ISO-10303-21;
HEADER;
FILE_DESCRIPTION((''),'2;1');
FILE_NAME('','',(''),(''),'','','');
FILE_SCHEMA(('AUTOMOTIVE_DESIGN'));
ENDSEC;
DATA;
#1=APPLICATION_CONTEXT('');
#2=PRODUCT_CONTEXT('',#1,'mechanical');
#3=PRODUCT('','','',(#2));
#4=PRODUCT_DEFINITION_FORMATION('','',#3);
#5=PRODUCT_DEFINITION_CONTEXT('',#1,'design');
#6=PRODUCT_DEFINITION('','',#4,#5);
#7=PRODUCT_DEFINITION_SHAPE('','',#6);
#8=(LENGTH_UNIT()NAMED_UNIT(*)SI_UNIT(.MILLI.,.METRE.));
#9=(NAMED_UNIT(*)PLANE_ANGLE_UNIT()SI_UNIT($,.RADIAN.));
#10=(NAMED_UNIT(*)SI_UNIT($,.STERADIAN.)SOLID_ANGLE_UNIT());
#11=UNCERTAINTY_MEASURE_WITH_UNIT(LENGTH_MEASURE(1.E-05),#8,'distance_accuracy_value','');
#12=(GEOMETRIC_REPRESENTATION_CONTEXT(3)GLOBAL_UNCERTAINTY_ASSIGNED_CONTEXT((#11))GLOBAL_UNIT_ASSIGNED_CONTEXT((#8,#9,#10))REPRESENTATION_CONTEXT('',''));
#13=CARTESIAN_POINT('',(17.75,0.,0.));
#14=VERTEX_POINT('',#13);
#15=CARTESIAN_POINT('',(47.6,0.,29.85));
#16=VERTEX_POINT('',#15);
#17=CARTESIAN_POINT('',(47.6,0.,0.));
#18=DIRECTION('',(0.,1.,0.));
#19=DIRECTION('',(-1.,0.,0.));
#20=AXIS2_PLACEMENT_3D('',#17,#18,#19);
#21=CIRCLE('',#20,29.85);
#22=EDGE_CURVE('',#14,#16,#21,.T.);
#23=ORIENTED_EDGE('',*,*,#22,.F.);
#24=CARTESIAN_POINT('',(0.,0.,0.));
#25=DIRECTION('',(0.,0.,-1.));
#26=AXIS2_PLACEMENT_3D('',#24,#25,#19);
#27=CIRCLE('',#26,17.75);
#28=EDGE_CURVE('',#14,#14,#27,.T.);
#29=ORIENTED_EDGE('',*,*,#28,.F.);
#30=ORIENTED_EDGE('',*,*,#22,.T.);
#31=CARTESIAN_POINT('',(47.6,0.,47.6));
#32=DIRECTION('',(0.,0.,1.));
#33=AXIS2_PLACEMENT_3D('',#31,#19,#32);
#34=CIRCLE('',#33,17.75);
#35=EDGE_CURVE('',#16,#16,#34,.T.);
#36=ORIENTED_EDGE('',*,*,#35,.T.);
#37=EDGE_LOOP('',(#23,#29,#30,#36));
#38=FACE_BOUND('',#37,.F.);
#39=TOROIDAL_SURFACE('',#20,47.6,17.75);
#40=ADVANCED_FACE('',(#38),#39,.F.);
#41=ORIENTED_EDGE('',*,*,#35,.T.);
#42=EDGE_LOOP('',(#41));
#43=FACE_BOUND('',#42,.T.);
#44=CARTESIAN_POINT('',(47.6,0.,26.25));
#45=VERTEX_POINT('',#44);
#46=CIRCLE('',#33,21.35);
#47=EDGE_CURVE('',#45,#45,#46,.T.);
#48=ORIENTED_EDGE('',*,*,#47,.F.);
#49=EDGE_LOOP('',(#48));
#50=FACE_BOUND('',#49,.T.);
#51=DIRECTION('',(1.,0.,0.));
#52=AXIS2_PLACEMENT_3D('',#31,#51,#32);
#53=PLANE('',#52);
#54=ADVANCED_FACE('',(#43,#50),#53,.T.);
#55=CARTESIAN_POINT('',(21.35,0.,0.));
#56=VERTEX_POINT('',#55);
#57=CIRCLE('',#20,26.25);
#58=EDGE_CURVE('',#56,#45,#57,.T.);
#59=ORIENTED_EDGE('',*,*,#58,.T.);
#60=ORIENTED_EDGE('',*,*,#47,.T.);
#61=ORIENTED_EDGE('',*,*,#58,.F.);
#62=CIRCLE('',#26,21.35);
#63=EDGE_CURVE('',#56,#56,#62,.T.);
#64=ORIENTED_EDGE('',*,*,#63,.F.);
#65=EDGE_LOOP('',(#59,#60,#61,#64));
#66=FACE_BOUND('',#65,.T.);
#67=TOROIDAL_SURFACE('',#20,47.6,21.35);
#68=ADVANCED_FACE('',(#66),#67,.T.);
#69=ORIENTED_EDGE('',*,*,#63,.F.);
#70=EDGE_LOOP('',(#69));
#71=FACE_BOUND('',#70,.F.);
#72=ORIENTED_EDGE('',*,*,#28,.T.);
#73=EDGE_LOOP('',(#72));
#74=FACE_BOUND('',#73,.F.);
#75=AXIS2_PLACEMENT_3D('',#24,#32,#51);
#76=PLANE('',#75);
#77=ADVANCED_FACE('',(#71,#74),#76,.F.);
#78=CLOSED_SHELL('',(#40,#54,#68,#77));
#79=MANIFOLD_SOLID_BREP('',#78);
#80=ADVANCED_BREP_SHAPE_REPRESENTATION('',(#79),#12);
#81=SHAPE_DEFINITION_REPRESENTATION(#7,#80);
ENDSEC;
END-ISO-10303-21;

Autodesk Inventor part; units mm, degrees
ref_plane "YZ Plane" through (0, 0, 0) normal (1, 0, 0) x (0, 1, 0)
ref_plane "XZ Plane" through (0, 0, 0) normal (0, 1, 0) x (-1, 0, 0)
ref_plane "XY Plane" through (0, 0, 0) normal (0, 0, 1) x (1, 0, 0)
sketch "Sketch1" plane through (0, 0, 0) normal (0, 0, 1) x (1, 0, 0)
  circle A0 centre (0, 0) radius 17.75
  circle A1 centre (0, 0) radius 21.35
  dimension "d0" = 35.5
  dimension "d1" = 42.7
sketch "Sketch2" plane through (0, 0, 0) normal (0, 1, 0) x (-1, 0, 0)
  line L0 (0, 0) -> (0, 47.6) construction
  line L1 (0, 47.6) -> (-47.6, 47.6) construction
  arc A0 (0, 0) -> (-47.6, 47.6) centre (-47.6, 0) ccw
  dimension "d2" = 47.6
  dimension "d3" = 90
  dimension "d4" = 47.6
sweep "Sweep1" add profiles "Sketch1" path "Sketch2"
equation "\"d0\" = D - 2 * T"
equation "\"d1\" = D"
equation "\"d2\" = F1"
equation "\"d4\" = F1"
equation "\"D\" = 42.7"
equation "\"F1\" = 47.6"
equation "\"T\" = 3.6"
equation "\"Size_Designation\" = 1.2345"
properties part number "JIS B 2312 90 Deg Long Elbow Steel 32A x Sch 40" material "Steel"
